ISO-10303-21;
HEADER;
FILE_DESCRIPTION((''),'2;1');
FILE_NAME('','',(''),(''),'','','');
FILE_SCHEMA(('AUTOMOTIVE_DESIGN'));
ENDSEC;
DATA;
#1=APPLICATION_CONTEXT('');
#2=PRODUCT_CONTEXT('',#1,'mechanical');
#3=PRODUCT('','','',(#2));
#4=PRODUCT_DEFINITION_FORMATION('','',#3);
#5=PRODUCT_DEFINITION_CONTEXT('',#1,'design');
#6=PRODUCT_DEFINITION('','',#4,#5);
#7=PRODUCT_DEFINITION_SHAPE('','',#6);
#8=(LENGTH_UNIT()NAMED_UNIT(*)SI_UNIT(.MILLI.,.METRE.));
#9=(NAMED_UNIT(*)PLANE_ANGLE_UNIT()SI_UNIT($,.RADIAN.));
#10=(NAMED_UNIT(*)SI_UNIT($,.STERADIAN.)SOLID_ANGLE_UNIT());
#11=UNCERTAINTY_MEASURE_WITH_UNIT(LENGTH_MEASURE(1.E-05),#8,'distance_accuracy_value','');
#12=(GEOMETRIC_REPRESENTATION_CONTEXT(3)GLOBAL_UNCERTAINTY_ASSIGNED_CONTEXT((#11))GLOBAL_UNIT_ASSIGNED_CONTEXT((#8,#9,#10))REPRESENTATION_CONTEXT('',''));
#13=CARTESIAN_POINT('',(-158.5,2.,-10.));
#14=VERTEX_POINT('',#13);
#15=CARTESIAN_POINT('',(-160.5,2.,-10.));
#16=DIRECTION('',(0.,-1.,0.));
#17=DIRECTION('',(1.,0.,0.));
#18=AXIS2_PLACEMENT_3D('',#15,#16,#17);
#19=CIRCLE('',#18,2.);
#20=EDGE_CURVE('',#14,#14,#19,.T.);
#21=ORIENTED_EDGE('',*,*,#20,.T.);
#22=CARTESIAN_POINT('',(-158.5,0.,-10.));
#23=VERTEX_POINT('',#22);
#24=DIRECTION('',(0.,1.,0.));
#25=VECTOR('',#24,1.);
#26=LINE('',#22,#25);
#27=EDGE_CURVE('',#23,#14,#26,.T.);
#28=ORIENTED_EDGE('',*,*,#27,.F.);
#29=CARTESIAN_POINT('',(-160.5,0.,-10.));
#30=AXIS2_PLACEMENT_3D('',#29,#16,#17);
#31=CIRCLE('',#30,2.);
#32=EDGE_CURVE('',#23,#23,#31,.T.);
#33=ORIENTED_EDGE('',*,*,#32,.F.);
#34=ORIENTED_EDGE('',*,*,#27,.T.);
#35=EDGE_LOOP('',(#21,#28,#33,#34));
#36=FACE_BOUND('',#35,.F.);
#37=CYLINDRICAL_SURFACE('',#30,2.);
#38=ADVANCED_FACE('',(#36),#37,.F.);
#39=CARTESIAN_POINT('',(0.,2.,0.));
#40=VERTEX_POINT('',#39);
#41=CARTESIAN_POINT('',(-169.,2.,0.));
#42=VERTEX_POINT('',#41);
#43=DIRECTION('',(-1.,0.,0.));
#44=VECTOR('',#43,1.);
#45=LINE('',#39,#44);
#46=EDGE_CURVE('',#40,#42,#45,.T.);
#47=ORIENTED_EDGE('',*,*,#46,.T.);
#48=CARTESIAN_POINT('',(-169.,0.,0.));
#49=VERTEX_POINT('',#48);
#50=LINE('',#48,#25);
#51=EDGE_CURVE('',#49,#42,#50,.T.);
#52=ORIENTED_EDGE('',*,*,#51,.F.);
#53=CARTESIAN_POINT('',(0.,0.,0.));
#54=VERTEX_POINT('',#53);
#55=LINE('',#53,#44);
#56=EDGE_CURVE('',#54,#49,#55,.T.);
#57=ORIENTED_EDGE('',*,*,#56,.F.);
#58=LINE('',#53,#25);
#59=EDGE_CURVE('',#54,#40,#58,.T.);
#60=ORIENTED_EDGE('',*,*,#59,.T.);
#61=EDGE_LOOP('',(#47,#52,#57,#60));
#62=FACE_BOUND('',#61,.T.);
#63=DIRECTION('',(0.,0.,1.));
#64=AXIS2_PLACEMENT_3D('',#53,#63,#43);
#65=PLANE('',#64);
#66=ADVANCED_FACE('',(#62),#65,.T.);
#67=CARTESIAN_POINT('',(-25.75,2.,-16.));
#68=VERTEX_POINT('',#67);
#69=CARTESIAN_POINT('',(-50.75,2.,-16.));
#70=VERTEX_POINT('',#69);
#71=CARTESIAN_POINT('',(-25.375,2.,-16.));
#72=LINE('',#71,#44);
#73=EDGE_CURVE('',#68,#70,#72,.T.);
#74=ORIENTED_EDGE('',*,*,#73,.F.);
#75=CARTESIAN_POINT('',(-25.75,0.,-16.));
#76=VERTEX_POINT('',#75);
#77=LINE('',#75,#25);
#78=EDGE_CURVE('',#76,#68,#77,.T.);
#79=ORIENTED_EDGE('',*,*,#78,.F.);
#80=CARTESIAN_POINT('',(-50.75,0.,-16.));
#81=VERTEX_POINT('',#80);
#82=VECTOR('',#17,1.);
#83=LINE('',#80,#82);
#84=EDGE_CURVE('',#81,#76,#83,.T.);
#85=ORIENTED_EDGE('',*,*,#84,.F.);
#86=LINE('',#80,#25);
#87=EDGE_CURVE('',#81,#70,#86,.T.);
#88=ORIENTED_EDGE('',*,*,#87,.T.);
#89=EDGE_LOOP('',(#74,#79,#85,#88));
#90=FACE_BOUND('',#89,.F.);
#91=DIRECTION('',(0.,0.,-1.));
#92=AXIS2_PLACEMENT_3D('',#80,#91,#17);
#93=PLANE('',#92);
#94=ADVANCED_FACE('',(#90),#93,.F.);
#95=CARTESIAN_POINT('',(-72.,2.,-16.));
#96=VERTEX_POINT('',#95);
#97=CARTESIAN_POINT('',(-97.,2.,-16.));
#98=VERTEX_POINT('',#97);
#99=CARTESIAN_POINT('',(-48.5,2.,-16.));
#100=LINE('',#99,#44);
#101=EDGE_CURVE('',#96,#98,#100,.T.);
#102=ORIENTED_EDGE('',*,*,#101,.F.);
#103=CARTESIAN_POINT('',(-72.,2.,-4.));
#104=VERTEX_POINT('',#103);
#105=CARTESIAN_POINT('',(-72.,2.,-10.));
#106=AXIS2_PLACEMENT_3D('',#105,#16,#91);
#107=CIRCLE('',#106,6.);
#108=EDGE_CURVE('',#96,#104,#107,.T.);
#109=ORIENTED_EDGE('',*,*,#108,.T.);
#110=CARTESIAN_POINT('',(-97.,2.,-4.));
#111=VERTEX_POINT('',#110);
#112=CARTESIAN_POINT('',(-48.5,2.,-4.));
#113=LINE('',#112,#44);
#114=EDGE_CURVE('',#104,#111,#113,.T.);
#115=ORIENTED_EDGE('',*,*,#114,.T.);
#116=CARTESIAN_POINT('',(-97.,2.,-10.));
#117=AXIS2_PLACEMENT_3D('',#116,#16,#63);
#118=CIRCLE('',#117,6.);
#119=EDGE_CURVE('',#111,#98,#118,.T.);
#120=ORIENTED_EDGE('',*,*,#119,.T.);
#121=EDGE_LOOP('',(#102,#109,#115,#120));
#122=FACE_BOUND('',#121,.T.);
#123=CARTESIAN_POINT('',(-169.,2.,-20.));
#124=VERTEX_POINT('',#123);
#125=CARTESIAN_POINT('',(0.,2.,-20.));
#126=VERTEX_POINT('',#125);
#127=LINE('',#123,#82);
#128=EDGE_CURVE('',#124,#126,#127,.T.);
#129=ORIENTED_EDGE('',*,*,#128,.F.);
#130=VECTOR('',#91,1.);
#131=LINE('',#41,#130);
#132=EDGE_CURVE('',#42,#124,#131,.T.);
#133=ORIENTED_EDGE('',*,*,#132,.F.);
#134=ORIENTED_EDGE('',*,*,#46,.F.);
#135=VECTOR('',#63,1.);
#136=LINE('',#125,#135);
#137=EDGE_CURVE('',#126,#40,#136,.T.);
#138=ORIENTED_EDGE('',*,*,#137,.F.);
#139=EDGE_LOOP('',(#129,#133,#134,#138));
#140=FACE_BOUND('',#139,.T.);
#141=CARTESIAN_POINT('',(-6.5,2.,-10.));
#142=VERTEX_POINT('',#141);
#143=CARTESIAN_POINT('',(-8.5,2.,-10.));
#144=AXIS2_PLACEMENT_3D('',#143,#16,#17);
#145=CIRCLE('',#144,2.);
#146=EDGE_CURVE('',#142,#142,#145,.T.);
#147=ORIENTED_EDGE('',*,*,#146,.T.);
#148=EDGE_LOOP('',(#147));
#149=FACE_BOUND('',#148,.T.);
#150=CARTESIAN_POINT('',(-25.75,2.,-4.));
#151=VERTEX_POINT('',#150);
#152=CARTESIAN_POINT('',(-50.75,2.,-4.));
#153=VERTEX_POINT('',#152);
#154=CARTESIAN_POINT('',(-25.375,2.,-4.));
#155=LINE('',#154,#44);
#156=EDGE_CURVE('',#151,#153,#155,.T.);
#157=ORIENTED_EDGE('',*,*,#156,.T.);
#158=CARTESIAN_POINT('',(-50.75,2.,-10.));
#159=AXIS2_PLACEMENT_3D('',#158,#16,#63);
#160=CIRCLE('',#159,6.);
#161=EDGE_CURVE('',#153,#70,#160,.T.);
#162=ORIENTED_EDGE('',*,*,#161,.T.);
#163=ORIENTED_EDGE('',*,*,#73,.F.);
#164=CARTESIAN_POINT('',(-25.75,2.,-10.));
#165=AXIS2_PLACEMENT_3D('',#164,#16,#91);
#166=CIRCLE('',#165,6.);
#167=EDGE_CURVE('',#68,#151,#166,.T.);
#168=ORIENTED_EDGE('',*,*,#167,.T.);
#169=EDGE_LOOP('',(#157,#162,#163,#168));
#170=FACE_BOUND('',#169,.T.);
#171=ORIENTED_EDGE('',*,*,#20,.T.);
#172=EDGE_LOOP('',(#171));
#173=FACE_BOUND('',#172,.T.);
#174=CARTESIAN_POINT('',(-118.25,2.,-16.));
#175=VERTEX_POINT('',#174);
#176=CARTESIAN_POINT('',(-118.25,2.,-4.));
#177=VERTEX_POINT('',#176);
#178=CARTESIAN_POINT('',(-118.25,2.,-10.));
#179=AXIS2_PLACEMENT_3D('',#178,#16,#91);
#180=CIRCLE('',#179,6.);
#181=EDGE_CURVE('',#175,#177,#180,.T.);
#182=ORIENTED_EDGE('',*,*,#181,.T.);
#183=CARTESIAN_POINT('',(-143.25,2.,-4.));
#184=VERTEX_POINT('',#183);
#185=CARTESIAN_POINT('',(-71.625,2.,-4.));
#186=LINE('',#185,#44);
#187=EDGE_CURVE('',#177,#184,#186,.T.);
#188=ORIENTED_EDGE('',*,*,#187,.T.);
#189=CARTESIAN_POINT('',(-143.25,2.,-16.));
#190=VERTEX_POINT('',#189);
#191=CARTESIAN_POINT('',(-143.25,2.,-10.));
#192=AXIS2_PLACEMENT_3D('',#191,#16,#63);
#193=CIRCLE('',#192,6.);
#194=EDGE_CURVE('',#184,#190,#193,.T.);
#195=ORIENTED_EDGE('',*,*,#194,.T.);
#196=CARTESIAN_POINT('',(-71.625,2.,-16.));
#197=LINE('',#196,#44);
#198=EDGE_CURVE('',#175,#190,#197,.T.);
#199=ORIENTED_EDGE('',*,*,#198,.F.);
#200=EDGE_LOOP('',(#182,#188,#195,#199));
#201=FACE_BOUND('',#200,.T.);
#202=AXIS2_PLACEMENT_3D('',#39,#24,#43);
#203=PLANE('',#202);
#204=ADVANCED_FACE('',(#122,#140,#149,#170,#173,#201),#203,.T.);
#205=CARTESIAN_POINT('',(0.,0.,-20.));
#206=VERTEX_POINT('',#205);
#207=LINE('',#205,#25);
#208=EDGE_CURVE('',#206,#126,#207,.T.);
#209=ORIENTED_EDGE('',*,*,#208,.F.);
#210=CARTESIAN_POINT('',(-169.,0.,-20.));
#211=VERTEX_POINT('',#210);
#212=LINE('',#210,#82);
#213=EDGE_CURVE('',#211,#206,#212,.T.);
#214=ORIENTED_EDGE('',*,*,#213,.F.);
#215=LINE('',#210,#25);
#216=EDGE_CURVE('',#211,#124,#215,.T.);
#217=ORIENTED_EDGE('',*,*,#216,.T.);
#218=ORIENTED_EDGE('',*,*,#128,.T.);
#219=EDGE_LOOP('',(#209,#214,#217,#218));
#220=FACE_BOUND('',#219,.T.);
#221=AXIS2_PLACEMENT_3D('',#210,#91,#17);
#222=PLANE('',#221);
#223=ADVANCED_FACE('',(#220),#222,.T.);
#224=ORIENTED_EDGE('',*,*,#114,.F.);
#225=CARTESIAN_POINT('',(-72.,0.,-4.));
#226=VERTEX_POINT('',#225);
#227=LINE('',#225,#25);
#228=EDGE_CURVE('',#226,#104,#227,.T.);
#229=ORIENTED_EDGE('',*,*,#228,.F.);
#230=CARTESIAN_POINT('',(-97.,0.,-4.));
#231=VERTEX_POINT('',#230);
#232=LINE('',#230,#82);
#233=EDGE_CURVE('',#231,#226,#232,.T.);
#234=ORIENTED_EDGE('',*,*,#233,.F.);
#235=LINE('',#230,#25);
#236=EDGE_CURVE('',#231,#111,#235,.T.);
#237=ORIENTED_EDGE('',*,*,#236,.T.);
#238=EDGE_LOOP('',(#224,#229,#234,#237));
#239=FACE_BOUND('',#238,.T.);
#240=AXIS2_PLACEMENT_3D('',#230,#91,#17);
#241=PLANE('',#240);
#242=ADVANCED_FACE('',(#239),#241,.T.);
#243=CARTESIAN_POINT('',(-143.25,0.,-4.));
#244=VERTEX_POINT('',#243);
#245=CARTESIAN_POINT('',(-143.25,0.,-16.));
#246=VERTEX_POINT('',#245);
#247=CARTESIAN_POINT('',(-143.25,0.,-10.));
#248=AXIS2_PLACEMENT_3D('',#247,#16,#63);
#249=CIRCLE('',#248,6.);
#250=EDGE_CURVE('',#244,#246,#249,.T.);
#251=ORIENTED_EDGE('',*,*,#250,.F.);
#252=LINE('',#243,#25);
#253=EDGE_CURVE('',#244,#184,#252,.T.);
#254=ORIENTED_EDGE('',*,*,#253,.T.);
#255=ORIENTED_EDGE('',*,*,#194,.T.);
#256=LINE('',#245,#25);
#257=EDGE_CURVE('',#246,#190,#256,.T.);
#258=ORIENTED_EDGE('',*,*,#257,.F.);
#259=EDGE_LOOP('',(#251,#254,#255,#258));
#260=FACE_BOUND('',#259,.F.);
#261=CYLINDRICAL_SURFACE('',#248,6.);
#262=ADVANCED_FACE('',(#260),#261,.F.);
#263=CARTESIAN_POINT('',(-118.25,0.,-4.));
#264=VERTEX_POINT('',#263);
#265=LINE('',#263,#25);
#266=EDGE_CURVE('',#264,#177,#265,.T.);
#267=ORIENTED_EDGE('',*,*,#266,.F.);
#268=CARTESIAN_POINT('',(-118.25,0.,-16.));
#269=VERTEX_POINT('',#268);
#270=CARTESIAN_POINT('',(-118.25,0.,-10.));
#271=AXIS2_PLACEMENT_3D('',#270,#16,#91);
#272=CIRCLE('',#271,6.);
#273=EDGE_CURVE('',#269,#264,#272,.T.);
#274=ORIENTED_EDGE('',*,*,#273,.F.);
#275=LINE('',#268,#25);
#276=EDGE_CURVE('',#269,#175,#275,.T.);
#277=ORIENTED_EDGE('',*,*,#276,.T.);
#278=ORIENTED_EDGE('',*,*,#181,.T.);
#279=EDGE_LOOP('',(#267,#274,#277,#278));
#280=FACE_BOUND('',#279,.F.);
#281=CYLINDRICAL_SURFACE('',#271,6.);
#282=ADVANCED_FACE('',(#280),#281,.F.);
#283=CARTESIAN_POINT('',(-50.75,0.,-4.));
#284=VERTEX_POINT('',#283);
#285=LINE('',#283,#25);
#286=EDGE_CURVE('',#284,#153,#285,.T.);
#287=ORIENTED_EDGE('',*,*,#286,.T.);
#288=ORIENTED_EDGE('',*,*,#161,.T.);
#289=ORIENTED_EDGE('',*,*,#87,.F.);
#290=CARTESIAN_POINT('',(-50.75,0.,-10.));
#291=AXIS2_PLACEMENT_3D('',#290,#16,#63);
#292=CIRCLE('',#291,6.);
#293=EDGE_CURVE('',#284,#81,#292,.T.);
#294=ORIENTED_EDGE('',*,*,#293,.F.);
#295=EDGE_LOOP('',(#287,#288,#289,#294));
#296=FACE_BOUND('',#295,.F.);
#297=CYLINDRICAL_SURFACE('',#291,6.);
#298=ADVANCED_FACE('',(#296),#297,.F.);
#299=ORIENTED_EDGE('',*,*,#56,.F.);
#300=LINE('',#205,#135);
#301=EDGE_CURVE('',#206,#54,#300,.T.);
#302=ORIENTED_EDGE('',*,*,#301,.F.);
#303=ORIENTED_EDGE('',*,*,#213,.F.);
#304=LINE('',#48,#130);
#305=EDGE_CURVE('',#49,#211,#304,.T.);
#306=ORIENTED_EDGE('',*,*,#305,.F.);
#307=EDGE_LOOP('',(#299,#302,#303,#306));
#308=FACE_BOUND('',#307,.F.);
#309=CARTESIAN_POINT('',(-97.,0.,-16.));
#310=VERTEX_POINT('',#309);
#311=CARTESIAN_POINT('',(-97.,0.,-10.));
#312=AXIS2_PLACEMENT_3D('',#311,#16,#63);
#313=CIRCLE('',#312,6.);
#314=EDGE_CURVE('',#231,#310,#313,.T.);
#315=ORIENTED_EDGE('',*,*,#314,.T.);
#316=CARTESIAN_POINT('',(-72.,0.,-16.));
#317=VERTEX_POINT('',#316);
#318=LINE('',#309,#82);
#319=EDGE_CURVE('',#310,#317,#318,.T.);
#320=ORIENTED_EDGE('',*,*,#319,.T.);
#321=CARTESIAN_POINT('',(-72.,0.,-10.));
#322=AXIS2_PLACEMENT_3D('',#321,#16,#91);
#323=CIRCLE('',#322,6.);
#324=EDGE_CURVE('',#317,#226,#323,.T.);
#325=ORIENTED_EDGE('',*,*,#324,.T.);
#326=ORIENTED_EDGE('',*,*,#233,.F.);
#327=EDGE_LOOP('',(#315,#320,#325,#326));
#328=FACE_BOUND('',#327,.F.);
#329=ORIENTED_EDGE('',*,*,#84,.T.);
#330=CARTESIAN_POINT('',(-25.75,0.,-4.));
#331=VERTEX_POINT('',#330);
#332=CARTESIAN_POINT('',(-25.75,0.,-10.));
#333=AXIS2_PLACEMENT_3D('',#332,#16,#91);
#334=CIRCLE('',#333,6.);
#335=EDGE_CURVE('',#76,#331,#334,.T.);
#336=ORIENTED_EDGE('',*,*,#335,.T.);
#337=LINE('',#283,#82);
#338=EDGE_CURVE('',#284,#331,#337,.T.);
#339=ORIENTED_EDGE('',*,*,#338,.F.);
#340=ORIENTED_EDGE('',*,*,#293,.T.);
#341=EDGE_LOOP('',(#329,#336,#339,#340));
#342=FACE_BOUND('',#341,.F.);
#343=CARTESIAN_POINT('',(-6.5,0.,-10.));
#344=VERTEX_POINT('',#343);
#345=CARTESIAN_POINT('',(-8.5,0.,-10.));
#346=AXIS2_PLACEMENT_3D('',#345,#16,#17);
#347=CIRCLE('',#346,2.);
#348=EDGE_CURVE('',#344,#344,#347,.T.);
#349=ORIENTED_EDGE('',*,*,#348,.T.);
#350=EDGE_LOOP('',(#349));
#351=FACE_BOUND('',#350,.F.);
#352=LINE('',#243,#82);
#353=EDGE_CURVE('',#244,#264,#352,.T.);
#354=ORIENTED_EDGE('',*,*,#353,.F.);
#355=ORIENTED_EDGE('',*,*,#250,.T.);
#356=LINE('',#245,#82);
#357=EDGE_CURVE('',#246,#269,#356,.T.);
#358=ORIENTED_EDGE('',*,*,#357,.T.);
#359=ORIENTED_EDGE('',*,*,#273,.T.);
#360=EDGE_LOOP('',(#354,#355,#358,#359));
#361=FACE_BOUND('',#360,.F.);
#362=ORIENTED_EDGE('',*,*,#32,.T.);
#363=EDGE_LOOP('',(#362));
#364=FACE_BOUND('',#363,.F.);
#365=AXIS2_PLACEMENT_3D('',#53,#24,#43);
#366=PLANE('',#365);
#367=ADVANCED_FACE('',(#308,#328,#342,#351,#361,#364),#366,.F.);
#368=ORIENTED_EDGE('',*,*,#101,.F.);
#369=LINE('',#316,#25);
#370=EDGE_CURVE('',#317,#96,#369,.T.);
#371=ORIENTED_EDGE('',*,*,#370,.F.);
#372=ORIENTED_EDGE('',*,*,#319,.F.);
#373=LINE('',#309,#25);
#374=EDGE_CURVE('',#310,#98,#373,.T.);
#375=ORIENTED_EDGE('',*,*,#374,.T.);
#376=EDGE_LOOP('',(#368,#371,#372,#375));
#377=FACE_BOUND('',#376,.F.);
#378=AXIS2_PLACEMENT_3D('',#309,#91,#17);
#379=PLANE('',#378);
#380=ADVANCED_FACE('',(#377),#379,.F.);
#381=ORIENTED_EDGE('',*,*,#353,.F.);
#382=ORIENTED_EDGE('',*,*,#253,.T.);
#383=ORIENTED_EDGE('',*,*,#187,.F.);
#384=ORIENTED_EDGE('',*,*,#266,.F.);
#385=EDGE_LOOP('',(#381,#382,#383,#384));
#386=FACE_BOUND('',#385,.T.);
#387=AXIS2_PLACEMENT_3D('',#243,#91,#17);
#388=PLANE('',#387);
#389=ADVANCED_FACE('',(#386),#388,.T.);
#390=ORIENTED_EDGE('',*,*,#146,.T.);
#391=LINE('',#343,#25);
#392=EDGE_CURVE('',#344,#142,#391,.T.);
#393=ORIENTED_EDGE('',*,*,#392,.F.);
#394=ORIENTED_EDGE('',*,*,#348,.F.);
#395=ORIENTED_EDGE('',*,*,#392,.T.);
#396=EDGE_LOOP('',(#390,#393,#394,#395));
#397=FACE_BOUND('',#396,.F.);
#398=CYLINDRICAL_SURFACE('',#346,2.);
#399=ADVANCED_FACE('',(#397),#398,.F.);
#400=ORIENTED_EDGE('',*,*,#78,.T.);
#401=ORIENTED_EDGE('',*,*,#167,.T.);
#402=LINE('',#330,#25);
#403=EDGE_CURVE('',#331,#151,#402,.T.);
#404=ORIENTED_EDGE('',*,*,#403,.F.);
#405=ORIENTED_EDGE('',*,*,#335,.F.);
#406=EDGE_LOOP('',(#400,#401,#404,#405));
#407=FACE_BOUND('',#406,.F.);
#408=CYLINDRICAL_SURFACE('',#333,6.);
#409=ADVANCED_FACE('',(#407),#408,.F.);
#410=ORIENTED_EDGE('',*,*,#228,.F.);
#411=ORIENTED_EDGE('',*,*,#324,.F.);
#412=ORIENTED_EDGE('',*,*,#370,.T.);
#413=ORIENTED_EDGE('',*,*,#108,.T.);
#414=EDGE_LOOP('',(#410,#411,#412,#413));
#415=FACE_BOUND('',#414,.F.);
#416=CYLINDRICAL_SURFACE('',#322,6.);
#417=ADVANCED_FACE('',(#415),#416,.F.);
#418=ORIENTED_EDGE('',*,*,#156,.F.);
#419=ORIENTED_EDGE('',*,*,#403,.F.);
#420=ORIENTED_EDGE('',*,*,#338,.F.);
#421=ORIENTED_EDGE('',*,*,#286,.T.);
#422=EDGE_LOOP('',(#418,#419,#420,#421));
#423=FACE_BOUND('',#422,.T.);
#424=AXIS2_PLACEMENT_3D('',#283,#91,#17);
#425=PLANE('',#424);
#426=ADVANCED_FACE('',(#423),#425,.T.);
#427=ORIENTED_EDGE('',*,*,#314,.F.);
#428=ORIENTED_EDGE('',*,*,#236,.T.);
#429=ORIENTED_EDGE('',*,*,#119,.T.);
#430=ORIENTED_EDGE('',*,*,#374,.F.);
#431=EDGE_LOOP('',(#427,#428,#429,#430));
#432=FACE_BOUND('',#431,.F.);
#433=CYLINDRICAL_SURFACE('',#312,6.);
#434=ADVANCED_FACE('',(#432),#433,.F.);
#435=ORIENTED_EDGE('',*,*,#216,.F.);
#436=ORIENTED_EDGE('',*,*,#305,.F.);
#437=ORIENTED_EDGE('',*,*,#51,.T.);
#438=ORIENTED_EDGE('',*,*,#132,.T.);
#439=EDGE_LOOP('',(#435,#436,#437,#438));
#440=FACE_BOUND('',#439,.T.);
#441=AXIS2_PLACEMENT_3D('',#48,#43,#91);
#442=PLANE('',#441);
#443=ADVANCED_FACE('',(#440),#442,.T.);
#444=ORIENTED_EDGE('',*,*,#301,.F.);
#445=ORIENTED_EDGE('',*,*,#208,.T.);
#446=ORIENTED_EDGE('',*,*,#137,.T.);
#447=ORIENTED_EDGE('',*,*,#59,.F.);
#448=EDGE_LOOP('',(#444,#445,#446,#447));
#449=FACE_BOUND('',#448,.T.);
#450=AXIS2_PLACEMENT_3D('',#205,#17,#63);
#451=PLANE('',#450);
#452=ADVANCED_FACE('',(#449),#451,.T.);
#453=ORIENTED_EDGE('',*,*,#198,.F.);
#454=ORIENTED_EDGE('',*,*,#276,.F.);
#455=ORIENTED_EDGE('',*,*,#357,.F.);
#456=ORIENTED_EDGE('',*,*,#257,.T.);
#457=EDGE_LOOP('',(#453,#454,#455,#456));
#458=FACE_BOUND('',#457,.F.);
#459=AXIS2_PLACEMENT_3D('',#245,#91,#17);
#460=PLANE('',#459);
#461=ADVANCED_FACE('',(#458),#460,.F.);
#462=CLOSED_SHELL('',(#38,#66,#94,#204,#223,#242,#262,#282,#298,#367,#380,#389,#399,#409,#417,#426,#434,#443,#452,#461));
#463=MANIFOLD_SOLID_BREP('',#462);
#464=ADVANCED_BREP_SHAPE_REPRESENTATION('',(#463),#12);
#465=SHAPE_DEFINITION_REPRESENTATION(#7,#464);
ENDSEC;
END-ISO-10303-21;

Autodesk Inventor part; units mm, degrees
ref_plane "YZ Plane" through (0, 0, 0) normal (1, 0, 0) x (0, 1, 0)
ref_plane "XZ Plane" through (0, 0, 0) normal (0, 1, 0) x (-1, 0, 0)
ref_plane "XY Plane" through (0, 0, 0) normal (0, 0, 1) x (1, 0, 0)
sketch "Sketch1" plane through (0, 0, 0) normal (0, 1, 0) x (-1, 0, 0)
  line L0 (0, 0) -> (169, 0)
  line L1 (169, 0) -> (169, -20)
  line L2 (169, -20) -> (0, -20)
  line L3 (0, -20) -> (0, 0)
  dimension "d0" = 169
  dimension "d1" = 20
extrude "base" add sketch "Sketch1" along normal blind 2
sketch "Sketch2" plane through (0, 0, 0) normal (0, -1, 0) x (1, 0, 0)
  circle A0 centre (-160.5, -10) radius 2
  circle A1 centre (-8.5, -10) radius 2
  line L0 (-169, -20) -> (-169, 0) construction
  line L1 (-169, -10) -> (0, -10) construction
  line L2 (0, 0) -> (0, -20) construction
  dimension "d4" = 152
  dimension "d5" = 4
  dimension "d6" = 4
  dimension "d7" = 8.5
  dimension "d8" = 169
extrude "holes" cut sketch "Sketch2" against normal blind 2
sketch "Sketch3" plane through (0, 0, 0) normal (0, -1, 0) x (1, 0, 0)
  line L0 (0, 0) -> (0, -20) construction
  line L1 (0, -10) -> (-169, -10) construction
  line L2 (-169, -20) -> (-169, 0) construction
  circle A0 centre (-160.5, -10) radius 2 construction
  line L3 (-160.5, -10) -> (-160.5, 5.7595) construction
  circle A1 centre (-8.5, -10) radius 2 construction
  line L4 (-8.5, -10) -> (-8.5, 9.069) construction
  arc A2 (-143.25, -4) -> (-143.25, -16) centre (-143.25, -10) ccw
  line L5 (-143.25, -10) -> (-143.25, -16) construction
  line L6 (-143.25, -10) -> (-143.25, -4) construction
  line L7 (-143.25, -4) -> (-118.25, -4)
  line L8 (-143.25, -16) -> (-118.25, -16)
  arc A3 (-118.25, -16) -> (-118.25, -4) centre (-118.25, -10) ccw
  line L9 (-118.25, -10) -> (-118.25, -16) construction
  line L10 (-118.25, -10) -> (-118.25, -4) construction
  line L11 (-97, -4) -> (-72, -4)
  arc A4 (-97, -4) -> (-97, -16) centre (-97, -10) ccw
  line L12 (-97, -16) -> (-72, -16)
  arc A5 (-72, -16) -> (-72, -4) centre (-72, -10) ccw
  line L13 (-50.75, -4) -> (-25.75, -4)
  arc A6 (-50.75, -4) -> (-50.75, -16) centre (-50.75, -10) ccw
  line L14 (-50.75, -16) -> (-25.75, -16)
  arc A7 (-25.75, -16) -> (-25.75, -4) centre (-25.75, -10) ccw
  point P0 (-158.5, -10)
  point P1 (-10.5, -10)
  point P2 (-149.25, -10)
  dimension "d11" = 180
  dimension "d12" = 6
  dimension "d13" = 180
  dimension "d14" = 25
  dimension "d18" = 46.25
  dimension "d23" = 148
  dimension "d25" = 9.25
extrude "Extrusion3" cut sketch "Sketch3" against normal blind 10
equation "\"d6\" = d5"
equation "\"d7\" = -0.5 * d4 + 0.5 * d8"
equation "\"d18\" = 2 * d12 + d25 + d14"
equation "\"d25\" = -1.5 * d12 - 0.75 * d14 + 0.25 * d23"
equation "\"d24\" = -1.5 * d12 - 0.75 * d14 + 0.25 * d23"
properties part number "transverseClipStiffener" material "Steel"
